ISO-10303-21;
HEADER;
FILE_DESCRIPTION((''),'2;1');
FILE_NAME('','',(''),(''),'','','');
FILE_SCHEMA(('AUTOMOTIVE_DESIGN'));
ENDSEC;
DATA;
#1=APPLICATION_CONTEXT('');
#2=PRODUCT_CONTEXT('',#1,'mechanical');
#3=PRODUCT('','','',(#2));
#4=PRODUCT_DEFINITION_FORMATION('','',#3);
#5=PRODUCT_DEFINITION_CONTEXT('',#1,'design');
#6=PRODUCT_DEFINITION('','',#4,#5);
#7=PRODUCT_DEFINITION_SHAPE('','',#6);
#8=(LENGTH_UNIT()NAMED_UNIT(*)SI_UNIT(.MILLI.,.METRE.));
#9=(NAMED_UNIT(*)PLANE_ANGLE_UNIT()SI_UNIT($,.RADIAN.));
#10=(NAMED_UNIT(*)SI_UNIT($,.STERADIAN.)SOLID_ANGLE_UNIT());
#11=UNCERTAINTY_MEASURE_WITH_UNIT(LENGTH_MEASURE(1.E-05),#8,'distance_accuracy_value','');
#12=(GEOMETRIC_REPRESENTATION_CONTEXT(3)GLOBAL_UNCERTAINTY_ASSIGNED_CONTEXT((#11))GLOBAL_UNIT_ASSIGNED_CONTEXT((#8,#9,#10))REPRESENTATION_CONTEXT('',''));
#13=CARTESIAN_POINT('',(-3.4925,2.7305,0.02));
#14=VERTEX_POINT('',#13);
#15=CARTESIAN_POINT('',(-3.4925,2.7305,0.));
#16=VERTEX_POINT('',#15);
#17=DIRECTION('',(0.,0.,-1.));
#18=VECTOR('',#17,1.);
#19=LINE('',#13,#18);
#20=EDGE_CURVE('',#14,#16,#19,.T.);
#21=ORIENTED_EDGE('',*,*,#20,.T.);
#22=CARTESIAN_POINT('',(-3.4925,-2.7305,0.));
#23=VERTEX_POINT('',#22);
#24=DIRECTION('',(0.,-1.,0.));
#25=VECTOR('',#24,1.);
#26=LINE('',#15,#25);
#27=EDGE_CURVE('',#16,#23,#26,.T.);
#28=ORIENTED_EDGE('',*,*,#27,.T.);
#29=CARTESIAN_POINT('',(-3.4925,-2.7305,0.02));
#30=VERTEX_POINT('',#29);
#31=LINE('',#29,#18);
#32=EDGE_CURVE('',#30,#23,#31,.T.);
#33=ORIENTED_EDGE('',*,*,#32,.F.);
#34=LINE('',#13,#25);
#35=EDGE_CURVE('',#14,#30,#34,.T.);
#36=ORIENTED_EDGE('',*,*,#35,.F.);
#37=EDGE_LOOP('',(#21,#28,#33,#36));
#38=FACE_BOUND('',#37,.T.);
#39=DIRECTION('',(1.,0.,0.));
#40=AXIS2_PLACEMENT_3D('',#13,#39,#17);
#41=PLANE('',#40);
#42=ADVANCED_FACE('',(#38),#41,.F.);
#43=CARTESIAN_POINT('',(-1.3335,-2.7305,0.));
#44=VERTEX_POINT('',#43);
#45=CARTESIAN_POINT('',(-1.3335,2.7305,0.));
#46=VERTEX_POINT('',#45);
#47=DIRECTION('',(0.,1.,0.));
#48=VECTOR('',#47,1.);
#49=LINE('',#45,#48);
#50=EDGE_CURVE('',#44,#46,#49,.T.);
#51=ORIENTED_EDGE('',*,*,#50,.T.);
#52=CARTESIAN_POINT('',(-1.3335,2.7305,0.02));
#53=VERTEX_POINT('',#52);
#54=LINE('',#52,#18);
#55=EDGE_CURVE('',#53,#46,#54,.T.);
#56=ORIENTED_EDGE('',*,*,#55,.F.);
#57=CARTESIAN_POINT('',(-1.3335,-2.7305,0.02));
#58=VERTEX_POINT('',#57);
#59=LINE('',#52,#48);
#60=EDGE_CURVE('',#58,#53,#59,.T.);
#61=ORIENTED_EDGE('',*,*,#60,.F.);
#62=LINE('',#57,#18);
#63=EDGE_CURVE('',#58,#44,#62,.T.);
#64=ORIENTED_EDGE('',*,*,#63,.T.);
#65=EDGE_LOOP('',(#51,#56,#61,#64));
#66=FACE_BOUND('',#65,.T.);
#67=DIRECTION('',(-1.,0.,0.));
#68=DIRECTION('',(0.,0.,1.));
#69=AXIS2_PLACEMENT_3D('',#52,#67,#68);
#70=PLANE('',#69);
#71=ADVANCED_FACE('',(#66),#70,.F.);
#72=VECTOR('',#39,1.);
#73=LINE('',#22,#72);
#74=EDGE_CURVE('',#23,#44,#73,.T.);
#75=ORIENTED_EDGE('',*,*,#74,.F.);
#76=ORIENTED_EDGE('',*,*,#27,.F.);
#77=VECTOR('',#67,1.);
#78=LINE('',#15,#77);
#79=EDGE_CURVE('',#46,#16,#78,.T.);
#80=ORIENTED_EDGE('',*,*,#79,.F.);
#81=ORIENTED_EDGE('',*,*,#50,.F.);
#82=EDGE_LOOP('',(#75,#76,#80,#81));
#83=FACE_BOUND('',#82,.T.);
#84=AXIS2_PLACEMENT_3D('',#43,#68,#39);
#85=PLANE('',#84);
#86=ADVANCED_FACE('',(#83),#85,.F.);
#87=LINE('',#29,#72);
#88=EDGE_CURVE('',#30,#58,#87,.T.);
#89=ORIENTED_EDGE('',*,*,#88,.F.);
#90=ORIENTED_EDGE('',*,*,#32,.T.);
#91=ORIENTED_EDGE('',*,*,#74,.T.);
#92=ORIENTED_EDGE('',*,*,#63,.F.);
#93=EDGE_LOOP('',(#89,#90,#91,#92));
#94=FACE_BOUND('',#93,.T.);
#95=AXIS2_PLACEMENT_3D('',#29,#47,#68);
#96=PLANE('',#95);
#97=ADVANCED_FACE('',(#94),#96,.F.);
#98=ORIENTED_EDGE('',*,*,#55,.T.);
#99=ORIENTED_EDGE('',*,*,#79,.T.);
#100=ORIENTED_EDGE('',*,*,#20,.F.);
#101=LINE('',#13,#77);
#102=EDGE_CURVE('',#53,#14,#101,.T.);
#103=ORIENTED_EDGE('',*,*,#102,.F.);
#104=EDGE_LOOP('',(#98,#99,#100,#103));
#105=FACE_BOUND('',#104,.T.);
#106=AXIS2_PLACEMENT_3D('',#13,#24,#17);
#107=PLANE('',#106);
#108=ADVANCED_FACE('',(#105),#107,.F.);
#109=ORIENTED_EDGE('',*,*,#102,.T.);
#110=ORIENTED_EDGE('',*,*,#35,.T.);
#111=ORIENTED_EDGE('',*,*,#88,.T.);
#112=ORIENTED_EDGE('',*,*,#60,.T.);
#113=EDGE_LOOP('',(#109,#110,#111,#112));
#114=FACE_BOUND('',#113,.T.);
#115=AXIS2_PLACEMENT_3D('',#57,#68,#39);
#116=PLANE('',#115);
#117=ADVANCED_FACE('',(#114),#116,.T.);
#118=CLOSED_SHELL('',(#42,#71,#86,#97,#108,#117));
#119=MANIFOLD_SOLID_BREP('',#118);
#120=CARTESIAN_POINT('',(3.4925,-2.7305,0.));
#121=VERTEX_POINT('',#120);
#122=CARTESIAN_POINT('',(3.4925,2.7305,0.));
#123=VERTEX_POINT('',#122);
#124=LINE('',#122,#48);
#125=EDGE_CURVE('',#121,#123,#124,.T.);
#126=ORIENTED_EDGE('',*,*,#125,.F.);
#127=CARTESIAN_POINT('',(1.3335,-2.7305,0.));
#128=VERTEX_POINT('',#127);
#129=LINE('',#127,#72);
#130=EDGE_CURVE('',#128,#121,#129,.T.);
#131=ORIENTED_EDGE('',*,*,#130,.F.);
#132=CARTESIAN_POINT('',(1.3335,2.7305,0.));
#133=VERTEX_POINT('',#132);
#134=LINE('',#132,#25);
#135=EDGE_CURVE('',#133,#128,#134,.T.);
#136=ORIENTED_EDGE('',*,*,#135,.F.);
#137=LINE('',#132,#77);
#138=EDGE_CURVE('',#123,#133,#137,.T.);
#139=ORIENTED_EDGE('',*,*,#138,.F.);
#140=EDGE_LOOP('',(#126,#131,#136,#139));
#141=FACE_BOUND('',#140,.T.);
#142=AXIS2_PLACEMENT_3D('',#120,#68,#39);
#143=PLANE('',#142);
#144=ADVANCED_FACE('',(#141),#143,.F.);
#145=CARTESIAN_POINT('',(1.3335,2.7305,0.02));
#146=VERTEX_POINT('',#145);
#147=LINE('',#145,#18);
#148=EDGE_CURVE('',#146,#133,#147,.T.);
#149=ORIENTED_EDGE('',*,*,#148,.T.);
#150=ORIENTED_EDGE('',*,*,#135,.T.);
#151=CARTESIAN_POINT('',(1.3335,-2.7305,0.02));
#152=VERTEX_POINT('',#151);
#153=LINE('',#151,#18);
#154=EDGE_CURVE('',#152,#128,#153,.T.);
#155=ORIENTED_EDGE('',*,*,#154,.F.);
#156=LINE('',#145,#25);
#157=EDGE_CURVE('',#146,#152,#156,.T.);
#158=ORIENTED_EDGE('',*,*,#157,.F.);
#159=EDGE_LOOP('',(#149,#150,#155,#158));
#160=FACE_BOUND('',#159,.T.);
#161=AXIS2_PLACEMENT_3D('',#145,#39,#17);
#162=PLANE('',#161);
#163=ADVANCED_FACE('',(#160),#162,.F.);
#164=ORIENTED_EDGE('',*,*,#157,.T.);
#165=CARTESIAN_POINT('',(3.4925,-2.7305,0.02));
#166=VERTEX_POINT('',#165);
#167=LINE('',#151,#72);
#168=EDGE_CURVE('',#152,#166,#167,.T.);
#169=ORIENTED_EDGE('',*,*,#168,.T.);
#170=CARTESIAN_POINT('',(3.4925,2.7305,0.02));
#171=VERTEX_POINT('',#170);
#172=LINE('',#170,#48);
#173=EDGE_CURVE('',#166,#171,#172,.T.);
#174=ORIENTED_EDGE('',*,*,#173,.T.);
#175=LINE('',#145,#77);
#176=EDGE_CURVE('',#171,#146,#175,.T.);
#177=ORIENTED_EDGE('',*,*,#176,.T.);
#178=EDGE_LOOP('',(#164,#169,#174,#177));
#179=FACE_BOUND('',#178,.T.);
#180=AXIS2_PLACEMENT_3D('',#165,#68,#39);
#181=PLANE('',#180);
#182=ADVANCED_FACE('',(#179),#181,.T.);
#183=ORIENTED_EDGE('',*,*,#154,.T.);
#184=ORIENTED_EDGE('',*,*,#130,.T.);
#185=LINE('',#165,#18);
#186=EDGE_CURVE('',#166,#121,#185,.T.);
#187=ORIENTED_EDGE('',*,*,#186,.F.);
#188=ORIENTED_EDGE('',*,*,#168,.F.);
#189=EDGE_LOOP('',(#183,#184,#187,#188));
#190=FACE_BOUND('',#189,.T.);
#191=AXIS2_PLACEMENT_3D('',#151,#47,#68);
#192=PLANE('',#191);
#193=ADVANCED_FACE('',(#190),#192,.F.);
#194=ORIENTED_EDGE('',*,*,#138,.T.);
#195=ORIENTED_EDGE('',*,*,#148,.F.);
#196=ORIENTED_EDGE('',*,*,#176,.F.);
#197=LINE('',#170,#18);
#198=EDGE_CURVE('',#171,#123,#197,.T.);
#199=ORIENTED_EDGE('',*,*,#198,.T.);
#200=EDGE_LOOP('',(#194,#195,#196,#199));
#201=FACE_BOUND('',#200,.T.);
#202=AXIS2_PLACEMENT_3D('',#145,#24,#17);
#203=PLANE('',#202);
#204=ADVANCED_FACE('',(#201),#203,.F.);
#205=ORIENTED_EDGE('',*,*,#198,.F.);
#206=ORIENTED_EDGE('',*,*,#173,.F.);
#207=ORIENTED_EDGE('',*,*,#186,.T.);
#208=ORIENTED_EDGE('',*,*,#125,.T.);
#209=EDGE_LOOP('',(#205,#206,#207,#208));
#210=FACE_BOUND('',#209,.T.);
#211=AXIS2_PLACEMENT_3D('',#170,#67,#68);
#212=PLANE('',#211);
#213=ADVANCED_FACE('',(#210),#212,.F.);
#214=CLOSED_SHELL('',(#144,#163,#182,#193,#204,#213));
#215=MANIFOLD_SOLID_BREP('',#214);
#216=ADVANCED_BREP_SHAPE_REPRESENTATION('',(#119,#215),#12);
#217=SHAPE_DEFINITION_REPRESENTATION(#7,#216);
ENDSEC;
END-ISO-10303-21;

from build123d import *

# Parameters (mm, degrees)
SKETCH_1_W        = 2.159
SKETCH_1_H        = 5.461
EXTRUDE_1_DEPTH   = 0.02
EXTRUDE_1_2_DEPTH = 0.02


with BuildPart() as part:
    # 草图1 → 凸台-拉伸1 (new body)
    with BuildSketch(Plane.XY):
        with Locations((-2.413, 0)):
            Rectangle(SKETCH_1_W, SKETCH_1_H)
    extrude(amount=EXTRUDE_1_DEPTH)


with BuildPart() as body_2:
    # 草图1 → Extrude 1 2 (new body)
    with BuildSketch(Plane.XY):
        with Locations((2.413, 0)):
            Rectangle(SKETCH_1_W, SKETCH_1_H)
    extrude(amount=EXTRUDE_1_2_DEPTH)


solid = Compound([part.part, body_2.part])
